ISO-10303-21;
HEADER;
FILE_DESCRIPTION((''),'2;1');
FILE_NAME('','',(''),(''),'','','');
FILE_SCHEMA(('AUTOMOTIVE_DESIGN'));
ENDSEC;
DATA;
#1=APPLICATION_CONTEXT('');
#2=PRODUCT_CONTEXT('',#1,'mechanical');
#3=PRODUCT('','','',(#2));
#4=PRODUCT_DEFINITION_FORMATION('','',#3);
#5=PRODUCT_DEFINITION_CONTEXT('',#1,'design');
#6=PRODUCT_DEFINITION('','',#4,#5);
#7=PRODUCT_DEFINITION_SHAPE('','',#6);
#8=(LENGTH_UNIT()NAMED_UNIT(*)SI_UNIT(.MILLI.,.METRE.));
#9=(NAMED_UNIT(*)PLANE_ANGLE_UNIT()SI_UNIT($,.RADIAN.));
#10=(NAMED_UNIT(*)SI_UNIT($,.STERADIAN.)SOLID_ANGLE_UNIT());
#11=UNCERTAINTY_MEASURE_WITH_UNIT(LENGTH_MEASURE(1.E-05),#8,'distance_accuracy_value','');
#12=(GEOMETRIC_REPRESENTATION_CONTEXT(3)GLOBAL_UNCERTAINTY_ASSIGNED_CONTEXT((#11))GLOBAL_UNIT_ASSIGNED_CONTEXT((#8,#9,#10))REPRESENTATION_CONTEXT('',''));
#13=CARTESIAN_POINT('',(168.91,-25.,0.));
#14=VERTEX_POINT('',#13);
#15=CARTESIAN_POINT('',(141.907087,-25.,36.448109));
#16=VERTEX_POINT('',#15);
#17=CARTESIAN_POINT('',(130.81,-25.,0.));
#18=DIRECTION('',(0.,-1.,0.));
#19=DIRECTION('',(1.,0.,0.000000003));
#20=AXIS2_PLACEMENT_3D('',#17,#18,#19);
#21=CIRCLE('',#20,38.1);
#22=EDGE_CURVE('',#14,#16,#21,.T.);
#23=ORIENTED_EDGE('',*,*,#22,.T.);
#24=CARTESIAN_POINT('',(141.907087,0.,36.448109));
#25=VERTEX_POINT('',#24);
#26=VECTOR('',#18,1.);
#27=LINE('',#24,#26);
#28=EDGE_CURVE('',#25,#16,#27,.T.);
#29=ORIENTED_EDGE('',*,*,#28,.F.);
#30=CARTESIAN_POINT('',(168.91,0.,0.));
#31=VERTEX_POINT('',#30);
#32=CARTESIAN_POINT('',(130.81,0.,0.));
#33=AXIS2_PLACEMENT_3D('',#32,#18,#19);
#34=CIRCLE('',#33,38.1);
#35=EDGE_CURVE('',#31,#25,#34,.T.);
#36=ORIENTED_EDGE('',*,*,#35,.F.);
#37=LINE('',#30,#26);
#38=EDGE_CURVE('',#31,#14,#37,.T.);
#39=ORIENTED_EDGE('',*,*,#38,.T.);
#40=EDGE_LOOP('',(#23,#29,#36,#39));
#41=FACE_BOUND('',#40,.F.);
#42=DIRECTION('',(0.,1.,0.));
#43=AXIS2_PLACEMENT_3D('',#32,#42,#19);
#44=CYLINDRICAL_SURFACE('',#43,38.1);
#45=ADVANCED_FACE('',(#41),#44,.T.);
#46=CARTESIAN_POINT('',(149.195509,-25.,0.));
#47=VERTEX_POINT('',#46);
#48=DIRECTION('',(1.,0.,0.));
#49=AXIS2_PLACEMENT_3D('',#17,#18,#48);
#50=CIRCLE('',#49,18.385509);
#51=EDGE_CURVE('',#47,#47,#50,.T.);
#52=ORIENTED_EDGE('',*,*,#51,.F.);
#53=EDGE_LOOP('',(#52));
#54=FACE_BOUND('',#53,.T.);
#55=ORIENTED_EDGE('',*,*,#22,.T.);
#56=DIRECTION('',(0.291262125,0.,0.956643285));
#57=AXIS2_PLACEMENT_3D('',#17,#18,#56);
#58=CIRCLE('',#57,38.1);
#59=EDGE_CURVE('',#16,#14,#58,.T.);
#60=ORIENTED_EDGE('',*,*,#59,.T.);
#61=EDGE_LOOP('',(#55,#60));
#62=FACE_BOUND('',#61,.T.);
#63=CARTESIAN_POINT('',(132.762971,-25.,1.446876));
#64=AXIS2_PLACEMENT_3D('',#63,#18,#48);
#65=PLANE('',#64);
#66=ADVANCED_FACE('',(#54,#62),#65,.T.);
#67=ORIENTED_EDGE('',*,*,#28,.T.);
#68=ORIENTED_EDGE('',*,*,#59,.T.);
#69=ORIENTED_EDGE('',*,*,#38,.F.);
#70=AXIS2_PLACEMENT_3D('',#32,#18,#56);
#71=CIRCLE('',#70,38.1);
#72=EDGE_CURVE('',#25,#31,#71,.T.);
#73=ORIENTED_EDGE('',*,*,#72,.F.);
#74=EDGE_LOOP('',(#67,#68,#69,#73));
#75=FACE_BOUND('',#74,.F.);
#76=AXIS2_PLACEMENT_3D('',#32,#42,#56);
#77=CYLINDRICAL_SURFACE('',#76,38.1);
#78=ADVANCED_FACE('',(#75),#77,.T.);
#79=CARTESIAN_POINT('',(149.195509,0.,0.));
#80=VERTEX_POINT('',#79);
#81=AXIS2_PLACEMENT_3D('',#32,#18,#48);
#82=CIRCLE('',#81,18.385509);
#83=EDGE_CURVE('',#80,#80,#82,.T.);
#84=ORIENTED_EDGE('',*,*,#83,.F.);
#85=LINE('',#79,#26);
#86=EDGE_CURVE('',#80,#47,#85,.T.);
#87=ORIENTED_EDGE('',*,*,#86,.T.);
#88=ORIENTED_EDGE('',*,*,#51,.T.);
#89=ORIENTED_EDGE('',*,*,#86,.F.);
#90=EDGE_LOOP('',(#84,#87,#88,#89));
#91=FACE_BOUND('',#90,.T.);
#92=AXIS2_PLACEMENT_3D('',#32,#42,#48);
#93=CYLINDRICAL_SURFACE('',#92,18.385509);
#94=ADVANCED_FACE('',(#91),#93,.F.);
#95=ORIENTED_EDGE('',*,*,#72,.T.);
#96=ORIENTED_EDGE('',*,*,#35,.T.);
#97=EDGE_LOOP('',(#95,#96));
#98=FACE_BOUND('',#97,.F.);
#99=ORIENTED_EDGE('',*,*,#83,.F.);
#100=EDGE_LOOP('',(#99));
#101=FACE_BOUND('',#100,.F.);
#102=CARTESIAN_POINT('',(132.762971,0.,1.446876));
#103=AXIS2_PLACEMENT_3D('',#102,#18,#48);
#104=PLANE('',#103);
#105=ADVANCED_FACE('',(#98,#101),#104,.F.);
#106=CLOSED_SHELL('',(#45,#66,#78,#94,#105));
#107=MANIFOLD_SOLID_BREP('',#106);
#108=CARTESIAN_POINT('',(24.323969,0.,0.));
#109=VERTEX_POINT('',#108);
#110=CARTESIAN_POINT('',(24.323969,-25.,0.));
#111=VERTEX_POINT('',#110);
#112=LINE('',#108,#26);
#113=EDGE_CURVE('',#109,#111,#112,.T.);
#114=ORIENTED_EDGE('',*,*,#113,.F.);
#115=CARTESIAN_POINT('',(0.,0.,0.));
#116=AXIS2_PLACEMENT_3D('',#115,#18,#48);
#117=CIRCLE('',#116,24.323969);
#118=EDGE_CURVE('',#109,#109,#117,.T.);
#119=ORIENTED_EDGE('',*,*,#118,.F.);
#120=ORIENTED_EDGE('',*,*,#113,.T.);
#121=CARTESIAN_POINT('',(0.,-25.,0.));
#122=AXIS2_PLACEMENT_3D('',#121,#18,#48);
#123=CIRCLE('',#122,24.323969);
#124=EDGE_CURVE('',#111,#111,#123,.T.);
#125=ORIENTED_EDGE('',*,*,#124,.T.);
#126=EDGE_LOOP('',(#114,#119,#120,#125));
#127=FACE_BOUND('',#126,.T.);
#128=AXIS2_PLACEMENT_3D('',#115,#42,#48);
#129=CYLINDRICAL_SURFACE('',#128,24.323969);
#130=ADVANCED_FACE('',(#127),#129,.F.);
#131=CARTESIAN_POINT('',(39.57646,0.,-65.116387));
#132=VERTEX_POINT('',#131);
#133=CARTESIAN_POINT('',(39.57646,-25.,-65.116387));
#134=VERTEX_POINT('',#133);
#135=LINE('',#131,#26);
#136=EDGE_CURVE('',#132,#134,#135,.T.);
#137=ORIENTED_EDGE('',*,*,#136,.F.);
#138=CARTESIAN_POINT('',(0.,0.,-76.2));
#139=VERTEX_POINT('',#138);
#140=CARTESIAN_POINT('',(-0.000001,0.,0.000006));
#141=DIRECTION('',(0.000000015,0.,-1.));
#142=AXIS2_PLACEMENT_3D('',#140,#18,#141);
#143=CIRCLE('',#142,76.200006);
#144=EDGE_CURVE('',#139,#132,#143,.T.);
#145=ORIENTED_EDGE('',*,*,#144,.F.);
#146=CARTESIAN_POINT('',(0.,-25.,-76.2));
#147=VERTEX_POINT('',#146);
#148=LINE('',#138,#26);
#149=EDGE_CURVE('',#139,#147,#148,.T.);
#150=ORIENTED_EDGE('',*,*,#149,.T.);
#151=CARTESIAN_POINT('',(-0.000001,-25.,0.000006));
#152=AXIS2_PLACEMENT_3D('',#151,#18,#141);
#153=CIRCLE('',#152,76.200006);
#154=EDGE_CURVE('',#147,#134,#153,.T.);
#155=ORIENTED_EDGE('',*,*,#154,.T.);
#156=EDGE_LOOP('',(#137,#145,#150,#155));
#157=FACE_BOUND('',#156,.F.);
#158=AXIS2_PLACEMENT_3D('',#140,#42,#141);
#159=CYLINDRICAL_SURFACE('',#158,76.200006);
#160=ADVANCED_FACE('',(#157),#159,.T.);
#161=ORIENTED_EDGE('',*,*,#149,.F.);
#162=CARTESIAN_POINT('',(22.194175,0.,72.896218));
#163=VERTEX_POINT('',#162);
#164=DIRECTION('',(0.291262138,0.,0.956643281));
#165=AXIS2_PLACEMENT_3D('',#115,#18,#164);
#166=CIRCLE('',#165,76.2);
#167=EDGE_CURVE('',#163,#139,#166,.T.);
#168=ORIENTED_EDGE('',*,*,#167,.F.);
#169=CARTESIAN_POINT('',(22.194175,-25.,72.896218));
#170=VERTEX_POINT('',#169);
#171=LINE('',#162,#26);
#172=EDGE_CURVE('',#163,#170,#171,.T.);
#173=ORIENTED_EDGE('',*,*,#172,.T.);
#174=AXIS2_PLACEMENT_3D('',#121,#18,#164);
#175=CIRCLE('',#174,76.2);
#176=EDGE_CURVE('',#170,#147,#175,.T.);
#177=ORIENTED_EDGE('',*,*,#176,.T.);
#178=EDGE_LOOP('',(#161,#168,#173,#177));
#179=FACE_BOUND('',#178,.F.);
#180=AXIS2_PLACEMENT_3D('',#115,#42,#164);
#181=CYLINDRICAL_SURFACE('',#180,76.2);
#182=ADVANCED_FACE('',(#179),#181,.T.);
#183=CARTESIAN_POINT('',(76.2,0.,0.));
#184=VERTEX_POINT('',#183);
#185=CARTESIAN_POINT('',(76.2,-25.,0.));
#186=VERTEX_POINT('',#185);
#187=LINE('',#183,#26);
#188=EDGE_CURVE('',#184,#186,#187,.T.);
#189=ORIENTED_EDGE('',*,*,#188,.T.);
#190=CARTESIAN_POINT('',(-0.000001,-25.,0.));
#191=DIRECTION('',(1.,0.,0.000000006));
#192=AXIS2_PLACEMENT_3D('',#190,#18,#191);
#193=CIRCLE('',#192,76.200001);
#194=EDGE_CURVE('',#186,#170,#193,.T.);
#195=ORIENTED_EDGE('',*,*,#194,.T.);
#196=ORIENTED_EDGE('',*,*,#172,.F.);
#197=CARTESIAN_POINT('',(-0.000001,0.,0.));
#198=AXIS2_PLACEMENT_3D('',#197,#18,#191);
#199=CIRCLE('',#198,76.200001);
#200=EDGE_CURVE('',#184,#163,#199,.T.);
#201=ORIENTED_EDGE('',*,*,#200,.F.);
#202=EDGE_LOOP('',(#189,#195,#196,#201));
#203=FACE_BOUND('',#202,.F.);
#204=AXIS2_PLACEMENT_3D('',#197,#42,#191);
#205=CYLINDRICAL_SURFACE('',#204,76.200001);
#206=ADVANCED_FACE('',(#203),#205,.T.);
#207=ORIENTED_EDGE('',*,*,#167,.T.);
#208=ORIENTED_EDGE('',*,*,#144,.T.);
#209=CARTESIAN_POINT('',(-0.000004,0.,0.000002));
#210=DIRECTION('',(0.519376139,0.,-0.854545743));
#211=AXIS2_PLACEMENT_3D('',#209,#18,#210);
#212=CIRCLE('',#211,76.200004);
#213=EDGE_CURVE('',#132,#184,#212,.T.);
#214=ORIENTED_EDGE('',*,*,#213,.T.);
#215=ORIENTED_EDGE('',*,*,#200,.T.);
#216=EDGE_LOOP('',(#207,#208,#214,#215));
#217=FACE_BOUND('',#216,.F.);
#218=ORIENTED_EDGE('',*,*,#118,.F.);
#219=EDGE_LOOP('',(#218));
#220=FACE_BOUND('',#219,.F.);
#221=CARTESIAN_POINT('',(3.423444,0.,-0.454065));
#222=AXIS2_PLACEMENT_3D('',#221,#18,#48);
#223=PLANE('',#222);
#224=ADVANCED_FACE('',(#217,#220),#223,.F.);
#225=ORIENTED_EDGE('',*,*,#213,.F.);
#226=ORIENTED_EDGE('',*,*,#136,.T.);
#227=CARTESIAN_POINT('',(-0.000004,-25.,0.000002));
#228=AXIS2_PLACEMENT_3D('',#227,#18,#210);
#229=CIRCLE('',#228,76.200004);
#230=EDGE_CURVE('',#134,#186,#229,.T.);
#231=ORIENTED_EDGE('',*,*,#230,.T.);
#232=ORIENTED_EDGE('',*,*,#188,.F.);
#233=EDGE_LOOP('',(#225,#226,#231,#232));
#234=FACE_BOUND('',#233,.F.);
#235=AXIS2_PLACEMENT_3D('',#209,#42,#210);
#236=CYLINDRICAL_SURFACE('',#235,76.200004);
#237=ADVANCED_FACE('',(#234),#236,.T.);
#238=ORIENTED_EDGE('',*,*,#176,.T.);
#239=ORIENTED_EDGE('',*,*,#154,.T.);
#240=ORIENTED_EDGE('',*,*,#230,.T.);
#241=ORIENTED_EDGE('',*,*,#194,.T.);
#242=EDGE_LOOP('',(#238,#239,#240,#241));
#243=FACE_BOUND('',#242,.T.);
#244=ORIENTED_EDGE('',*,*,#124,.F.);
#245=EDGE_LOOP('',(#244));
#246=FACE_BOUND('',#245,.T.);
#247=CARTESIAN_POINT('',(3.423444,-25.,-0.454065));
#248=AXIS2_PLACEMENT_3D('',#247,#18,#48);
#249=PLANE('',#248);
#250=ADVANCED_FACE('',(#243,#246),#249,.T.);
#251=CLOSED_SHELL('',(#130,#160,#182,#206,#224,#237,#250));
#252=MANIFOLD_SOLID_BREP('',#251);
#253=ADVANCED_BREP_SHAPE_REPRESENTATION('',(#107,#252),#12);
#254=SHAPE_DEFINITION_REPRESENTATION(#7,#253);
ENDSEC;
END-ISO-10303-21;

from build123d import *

# Parameters (mm, degrees)
F0_R     = 24.323969
F0_R_2   = 18.385509
F1_DEPTH = 25


with BuildPart() as f1:
    # F0 (on Front) → F1 (new body)
    with BuildSketch(Plane.XZ):
        with BuildLine():
            ThreePointArc((39.57646, -65.116387), (66.415985, -37.354476), (76.2, 0))
            ThreePointArc((76.2, 0), (61.227592, 45.361018), (22.194175, 72.896218))
            ThreePointArc((22.194175, 72.896218), (-75.369529, 11.219362), (0, -76.2))
            Line((0, -76.2), (39.57646, -65.116387))
        make_face()
        Circle(F0_R, mode=Mode.SUBTRACT)
        with BuildLine():
            ThreePointArc((168.91, 0), (161.423796, 22.680509), (141.907087, 36.448109))
            ThreePointArc((141.907087, 36.448109), (100.196204, -22.680509), (168.91, 0))
        make_face()
        with Locations((130.81, 0)):
            Circle(F0_R_2, mode=Mode.SUBTRACT)
        with BuildLine():
            ThreePointArc((0, -76.2), (20.54959, -73.376797), (39.57646, -65.116387))
            Line((39.57646, -65.116387), (0, -76.2))
        make_face()
    extrude(amount=F1_DEPTH)


solid = f1.part
